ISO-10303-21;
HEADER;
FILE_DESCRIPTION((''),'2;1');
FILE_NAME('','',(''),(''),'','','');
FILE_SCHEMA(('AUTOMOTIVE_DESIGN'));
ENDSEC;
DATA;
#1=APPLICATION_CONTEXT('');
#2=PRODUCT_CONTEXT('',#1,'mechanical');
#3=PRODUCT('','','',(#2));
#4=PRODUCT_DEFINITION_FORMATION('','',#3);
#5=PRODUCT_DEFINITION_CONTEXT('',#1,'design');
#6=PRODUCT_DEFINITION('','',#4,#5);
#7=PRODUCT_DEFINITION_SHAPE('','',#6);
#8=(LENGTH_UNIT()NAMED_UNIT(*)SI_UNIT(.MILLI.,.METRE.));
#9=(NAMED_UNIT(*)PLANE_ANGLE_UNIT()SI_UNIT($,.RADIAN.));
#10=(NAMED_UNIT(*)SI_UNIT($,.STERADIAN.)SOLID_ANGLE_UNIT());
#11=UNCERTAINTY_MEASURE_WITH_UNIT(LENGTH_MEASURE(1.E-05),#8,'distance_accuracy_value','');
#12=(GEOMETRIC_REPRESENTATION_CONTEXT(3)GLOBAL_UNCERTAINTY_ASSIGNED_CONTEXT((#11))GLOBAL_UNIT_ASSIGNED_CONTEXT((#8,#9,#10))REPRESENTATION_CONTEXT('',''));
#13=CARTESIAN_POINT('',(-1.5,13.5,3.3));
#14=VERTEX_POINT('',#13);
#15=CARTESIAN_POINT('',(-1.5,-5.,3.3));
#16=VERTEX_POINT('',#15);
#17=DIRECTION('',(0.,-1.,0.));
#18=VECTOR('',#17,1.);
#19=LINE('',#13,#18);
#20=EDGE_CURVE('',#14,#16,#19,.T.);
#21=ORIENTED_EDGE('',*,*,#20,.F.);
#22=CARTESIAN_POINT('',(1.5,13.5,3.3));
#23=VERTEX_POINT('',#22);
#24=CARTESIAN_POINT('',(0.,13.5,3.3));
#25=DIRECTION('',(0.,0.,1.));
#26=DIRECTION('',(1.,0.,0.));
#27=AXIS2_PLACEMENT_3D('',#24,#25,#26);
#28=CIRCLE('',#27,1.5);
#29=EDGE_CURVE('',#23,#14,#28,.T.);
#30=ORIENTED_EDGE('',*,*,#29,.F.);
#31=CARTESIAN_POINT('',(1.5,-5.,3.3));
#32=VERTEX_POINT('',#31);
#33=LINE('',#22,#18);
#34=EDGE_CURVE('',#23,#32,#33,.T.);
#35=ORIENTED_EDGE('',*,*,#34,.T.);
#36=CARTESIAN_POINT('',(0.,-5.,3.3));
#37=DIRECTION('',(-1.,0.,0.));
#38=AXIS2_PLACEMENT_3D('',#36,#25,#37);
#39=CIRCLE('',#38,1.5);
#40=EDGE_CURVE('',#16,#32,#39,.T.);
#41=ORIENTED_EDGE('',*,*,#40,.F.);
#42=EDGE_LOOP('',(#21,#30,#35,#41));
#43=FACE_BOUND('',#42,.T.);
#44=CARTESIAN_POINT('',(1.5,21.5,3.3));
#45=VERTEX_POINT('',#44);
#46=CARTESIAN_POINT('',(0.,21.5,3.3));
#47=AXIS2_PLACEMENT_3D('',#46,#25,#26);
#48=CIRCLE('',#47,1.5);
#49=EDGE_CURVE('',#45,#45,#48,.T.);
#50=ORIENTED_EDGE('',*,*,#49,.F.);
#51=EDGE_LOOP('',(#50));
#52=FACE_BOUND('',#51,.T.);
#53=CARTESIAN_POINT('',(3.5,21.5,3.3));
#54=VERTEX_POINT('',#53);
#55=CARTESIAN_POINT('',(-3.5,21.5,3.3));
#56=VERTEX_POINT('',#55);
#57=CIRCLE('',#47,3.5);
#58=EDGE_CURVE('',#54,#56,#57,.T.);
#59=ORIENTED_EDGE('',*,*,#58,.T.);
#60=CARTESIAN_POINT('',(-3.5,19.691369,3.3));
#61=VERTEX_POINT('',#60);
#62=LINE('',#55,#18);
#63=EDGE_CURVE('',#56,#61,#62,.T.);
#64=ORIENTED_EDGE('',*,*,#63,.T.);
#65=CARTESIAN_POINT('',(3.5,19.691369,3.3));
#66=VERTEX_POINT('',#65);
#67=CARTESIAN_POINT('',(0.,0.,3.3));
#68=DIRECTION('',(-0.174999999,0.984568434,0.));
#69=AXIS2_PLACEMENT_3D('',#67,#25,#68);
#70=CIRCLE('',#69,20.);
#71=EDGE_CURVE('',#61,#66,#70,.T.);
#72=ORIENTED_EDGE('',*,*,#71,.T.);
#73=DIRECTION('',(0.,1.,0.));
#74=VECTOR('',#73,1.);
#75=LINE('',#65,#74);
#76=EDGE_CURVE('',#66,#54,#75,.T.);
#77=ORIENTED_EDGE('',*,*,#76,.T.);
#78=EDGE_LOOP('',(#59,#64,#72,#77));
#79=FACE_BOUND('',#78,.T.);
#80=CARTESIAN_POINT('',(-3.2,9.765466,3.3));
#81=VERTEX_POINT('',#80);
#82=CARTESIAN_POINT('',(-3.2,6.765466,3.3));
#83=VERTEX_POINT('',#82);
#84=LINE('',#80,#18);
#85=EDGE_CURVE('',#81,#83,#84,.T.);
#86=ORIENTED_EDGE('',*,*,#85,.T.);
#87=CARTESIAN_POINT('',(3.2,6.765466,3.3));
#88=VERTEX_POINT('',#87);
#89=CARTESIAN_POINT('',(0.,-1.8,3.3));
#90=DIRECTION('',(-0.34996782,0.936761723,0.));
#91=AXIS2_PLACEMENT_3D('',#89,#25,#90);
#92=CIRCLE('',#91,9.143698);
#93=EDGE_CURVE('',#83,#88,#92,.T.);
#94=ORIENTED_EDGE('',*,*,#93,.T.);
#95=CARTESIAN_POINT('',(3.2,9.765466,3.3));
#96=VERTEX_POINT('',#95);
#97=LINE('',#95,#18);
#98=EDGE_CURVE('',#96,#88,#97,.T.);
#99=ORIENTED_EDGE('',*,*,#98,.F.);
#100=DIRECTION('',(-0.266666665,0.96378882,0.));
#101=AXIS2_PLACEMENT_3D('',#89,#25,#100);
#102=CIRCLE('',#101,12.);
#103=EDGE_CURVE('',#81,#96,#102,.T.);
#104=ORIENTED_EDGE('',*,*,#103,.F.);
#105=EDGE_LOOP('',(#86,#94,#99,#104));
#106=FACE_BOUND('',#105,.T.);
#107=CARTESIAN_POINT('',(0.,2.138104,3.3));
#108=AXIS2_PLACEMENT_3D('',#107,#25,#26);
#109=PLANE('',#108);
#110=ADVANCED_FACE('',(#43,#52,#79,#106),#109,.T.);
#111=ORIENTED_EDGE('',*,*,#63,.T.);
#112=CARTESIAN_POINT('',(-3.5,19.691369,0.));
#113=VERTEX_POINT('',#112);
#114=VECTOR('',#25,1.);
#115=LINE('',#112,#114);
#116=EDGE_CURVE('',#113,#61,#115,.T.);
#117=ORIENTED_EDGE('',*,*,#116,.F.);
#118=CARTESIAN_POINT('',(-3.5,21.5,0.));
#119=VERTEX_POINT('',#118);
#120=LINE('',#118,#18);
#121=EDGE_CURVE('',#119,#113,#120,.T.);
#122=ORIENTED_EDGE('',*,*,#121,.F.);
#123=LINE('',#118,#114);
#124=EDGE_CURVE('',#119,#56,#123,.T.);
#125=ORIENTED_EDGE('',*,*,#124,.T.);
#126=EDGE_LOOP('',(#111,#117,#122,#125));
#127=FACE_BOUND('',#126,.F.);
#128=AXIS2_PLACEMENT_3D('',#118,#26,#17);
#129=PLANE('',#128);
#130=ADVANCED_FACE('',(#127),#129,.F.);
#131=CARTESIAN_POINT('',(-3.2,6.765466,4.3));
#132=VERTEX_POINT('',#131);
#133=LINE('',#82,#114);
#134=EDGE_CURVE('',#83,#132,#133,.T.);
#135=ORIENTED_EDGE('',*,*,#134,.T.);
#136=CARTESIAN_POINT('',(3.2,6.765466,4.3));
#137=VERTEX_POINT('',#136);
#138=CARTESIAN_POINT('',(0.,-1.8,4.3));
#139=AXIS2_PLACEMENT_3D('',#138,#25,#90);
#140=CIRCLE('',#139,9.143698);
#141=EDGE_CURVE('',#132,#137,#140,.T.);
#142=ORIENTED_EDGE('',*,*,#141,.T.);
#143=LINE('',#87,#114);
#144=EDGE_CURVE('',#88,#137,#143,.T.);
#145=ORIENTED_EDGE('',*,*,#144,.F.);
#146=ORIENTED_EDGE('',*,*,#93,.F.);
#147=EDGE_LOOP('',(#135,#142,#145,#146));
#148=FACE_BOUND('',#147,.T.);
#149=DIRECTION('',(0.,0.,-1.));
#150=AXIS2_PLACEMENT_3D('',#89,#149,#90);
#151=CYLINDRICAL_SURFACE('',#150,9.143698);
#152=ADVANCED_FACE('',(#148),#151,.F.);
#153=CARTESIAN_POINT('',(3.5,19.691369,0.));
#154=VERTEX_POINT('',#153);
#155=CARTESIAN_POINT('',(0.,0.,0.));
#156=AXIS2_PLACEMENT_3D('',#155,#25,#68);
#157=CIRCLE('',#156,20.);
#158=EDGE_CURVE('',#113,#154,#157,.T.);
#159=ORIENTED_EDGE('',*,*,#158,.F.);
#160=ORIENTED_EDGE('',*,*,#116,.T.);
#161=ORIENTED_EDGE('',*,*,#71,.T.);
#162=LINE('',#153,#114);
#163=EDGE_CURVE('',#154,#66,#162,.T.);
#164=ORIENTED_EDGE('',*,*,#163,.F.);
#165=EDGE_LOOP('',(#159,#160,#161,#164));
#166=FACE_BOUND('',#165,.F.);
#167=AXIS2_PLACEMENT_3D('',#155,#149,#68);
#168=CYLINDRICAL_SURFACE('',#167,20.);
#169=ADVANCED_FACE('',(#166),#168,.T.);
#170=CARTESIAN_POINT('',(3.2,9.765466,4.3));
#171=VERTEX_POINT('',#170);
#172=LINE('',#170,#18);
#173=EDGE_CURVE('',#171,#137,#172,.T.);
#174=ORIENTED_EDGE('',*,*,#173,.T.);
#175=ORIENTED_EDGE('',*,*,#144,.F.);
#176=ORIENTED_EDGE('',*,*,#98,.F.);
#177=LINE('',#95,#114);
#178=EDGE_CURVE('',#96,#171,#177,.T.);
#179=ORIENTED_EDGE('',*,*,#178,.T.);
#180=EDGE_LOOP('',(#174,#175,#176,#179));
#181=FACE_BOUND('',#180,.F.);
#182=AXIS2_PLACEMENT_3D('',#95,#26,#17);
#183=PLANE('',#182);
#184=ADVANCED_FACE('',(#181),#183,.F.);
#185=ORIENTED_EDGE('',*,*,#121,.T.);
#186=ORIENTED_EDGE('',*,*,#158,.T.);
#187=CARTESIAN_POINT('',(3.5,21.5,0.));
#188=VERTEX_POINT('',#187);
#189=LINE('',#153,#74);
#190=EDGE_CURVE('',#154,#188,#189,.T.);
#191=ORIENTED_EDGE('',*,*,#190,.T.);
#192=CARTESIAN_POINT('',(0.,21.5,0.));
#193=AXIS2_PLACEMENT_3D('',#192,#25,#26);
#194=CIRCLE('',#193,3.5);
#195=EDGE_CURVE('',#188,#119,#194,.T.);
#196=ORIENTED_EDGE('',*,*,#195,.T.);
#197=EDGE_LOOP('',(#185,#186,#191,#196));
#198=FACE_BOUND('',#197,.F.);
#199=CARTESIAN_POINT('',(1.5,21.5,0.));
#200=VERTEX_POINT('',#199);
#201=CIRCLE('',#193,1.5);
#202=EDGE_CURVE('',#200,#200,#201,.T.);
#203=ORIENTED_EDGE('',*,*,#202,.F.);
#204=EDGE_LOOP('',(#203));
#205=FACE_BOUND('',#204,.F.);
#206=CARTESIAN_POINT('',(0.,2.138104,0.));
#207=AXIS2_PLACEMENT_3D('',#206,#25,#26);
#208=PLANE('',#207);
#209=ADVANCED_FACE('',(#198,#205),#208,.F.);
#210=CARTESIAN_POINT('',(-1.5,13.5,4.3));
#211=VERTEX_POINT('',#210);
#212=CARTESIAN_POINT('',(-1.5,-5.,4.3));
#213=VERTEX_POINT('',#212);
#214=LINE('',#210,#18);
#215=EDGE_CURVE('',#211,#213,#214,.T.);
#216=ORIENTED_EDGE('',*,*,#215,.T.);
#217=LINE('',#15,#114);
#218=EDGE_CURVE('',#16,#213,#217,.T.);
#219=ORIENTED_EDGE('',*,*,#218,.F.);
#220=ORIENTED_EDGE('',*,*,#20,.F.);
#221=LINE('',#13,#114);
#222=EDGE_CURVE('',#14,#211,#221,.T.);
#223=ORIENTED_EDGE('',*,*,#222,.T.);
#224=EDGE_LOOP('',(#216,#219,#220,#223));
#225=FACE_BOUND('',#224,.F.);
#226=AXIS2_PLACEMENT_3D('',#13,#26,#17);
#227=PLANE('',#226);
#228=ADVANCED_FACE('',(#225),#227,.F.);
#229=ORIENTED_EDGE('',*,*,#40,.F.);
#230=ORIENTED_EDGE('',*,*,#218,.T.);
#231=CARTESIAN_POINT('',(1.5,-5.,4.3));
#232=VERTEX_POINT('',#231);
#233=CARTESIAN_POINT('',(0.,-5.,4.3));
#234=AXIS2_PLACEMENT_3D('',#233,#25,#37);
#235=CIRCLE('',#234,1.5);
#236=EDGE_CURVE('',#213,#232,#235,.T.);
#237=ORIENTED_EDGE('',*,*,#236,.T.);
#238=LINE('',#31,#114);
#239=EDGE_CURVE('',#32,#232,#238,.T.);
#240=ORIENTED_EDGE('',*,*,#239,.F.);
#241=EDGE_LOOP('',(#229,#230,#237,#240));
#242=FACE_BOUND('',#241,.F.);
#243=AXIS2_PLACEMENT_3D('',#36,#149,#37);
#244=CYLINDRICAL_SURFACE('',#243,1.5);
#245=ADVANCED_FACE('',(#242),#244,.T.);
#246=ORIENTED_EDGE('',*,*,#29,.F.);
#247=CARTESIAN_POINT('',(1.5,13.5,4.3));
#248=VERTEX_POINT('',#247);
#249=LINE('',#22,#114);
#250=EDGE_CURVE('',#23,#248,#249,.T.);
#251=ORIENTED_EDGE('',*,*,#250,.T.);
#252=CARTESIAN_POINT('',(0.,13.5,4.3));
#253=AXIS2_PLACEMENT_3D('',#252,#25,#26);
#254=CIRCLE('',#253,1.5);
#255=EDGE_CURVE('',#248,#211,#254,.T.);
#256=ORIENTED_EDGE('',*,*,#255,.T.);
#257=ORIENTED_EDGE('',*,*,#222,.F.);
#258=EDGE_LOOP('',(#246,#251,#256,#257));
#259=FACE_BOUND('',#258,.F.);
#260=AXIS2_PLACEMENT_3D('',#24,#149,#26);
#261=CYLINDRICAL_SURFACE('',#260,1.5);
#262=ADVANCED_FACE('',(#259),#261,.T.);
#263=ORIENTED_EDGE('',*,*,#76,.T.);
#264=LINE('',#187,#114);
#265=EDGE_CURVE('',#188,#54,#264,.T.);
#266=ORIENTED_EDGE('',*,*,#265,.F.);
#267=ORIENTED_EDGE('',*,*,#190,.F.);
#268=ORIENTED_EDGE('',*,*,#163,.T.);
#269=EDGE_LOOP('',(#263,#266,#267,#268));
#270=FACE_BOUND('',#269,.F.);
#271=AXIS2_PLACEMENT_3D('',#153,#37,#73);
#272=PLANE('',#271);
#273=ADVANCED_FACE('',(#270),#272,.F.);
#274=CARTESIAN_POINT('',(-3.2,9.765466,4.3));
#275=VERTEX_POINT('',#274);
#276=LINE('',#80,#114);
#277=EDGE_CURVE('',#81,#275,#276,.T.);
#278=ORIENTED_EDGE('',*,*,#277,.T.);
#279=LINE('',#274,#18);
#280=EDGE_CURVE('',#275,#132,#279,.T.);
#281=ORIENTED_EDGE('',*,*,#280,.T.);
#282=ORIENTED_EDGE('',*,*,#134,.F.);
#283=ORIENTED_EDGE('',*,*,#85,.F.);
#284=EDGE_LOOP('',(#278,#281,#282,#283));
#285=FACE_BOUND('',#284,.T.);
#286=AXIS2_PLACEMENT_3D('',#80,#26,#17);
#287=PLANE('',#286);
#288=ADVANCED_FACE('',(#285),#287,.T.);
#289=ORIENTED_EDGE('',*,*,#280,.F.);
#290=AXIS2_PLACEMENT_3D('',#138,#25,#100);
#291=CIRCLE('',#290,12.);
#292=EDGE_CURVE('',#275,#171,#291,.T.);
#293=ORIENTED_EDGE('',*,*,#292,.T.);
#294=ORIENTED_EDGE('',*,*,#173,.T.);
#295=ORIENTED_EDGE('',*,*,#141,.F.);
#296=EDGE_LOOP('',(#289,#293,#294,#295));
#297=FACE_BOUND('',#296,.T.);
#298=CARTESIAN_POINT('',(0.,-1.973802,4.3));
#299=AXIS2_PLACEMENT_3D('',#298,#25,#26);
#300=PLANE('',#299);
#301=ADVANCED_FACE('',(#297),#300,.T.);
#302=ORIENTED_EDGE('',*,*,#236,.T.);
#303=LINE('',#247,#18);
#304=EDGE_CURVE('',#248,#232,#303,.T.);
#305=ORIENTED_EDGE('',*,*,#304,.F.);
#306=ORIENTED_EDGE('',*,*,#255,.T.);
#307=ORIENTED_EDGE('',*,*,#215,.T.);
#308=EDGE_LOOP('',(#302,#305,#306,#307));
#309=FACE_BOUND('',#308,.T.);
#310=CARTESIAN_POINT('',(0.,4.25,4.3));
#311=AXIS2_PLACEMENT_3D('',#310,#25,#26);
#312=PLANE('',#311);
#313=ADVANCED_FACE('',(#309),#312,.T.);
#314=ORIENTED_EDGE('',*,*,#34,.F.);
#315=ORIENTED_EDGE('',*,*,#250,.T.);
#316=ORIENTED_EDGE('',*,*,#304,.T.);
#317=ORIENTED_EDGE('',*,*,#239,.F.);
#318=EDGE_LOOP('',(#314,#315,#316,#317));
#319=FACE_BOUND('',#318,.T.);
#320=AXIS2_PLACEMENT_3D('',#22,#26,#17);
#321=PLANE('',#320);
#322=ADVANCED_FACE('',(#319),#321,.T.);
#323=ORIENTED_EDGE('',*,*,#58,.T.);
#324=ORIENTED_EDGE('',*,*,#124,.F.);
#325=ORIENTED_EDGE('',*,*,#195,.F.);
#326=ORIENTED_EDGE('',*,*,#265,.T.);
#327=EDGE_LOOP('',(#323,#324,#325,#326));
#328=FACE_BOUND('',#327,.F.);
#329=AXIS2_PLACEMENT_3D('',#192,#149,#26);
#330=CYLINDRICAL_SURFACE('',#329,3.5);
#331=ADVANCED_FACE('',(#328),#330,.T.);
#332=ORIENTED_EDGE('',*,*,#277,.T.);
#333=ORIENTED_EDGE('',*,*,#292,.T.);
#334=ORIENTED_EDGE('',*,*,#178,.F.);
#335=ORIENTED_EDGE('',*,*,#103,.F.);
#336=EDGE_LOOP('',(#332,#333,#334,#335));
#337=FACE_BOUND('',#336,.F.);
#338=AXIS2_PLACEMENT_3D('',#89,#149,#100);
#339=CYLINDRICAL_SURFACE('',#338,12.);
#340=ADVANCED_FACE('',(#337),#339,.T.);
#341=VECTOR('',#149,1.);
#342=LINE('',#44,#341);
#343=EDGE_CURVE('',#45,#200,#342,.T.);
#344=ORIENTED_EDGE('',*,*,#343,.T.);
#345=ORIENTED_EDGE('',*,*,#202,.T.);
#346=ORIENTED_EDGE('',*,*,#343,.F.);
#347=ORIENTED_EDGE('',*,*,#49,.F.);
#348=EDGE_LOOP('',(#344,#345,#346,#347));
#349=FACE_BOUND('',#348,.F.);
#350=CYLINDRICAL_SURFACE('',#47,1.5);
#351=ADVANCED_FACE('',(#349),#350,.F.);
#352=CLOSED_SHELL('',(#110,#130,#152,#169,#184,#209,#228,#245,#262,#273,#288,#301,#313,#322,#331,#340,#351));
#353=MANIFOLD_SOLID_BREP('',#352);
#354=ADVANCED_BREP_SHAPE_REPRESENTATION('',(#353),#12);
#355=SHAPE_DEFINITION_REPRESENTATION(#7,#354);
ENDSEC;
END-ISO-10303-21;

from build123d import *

# Parameters (mm, degrees)
EXTRUDE_DEPTH = 3.3
SKETCH001_R   = 1.5
POCKET_DEPTH  = 3.301
PAD_DEPTH     = 1


with BuildPart() as part:
    # Sketch → Extrude (new body)
    with BuildSketch(Plane.XY):
        with BuildLine():
            ThreePointArc((3.5, 21.5), (0, 25), (-3.5, 21.5))
            Line((-3.5, 21.5), (-3.5, 19.691369))
            ThreePointArc((-3.5, 19.691369), (0, -20), (3.5, 19.691369))
            Line((3.5, 19.691369), (3.5, 21.5))
        make_face()
    extrude(amount=EXTRUDE_DEPTH)

    # Sketch001 → Pocket (cut, through all)
    with BuildSketch(Plane.XY.offset(3.3)):
        with Locations((0, 21.5)):
            Circle(SKETCH001_R)
    extrude(amount=-POCKET_DEPTH, mode=Mode.SUBTRACT)

    # Sketch002 → Pad (new body)
    with BuildSketch(Plane.XY.offset(3.3)):
        with BuildLine():
            ThreePointArc((-3.2, 9.765466), (0, -13.8), (3.2, 9.765466))
            Line((3.2, 9.765466), (3.2, 6.765466))
            ThreePointArc((-3.2, 6.765466), (0, -10.943698), (3.2, 6.765466))
            Line((-3.2, 9.765466), (-3.2, 6.765466))
        make_face()
        with BuildLine():
            ThreePointArc((1.5, 13.5), (0, 15), (-1.5, 13.5))
            Line((-1.5, 13.5), (-1.5, -5))
            ThreePointArc((-1.5, -5), (0, -6.5), (1.5, -5))
            Line((1.5, 13.5), (1.5, -5))
        make_face()
    extrude(amount=PAD_DEPTH)


solid = part.part
